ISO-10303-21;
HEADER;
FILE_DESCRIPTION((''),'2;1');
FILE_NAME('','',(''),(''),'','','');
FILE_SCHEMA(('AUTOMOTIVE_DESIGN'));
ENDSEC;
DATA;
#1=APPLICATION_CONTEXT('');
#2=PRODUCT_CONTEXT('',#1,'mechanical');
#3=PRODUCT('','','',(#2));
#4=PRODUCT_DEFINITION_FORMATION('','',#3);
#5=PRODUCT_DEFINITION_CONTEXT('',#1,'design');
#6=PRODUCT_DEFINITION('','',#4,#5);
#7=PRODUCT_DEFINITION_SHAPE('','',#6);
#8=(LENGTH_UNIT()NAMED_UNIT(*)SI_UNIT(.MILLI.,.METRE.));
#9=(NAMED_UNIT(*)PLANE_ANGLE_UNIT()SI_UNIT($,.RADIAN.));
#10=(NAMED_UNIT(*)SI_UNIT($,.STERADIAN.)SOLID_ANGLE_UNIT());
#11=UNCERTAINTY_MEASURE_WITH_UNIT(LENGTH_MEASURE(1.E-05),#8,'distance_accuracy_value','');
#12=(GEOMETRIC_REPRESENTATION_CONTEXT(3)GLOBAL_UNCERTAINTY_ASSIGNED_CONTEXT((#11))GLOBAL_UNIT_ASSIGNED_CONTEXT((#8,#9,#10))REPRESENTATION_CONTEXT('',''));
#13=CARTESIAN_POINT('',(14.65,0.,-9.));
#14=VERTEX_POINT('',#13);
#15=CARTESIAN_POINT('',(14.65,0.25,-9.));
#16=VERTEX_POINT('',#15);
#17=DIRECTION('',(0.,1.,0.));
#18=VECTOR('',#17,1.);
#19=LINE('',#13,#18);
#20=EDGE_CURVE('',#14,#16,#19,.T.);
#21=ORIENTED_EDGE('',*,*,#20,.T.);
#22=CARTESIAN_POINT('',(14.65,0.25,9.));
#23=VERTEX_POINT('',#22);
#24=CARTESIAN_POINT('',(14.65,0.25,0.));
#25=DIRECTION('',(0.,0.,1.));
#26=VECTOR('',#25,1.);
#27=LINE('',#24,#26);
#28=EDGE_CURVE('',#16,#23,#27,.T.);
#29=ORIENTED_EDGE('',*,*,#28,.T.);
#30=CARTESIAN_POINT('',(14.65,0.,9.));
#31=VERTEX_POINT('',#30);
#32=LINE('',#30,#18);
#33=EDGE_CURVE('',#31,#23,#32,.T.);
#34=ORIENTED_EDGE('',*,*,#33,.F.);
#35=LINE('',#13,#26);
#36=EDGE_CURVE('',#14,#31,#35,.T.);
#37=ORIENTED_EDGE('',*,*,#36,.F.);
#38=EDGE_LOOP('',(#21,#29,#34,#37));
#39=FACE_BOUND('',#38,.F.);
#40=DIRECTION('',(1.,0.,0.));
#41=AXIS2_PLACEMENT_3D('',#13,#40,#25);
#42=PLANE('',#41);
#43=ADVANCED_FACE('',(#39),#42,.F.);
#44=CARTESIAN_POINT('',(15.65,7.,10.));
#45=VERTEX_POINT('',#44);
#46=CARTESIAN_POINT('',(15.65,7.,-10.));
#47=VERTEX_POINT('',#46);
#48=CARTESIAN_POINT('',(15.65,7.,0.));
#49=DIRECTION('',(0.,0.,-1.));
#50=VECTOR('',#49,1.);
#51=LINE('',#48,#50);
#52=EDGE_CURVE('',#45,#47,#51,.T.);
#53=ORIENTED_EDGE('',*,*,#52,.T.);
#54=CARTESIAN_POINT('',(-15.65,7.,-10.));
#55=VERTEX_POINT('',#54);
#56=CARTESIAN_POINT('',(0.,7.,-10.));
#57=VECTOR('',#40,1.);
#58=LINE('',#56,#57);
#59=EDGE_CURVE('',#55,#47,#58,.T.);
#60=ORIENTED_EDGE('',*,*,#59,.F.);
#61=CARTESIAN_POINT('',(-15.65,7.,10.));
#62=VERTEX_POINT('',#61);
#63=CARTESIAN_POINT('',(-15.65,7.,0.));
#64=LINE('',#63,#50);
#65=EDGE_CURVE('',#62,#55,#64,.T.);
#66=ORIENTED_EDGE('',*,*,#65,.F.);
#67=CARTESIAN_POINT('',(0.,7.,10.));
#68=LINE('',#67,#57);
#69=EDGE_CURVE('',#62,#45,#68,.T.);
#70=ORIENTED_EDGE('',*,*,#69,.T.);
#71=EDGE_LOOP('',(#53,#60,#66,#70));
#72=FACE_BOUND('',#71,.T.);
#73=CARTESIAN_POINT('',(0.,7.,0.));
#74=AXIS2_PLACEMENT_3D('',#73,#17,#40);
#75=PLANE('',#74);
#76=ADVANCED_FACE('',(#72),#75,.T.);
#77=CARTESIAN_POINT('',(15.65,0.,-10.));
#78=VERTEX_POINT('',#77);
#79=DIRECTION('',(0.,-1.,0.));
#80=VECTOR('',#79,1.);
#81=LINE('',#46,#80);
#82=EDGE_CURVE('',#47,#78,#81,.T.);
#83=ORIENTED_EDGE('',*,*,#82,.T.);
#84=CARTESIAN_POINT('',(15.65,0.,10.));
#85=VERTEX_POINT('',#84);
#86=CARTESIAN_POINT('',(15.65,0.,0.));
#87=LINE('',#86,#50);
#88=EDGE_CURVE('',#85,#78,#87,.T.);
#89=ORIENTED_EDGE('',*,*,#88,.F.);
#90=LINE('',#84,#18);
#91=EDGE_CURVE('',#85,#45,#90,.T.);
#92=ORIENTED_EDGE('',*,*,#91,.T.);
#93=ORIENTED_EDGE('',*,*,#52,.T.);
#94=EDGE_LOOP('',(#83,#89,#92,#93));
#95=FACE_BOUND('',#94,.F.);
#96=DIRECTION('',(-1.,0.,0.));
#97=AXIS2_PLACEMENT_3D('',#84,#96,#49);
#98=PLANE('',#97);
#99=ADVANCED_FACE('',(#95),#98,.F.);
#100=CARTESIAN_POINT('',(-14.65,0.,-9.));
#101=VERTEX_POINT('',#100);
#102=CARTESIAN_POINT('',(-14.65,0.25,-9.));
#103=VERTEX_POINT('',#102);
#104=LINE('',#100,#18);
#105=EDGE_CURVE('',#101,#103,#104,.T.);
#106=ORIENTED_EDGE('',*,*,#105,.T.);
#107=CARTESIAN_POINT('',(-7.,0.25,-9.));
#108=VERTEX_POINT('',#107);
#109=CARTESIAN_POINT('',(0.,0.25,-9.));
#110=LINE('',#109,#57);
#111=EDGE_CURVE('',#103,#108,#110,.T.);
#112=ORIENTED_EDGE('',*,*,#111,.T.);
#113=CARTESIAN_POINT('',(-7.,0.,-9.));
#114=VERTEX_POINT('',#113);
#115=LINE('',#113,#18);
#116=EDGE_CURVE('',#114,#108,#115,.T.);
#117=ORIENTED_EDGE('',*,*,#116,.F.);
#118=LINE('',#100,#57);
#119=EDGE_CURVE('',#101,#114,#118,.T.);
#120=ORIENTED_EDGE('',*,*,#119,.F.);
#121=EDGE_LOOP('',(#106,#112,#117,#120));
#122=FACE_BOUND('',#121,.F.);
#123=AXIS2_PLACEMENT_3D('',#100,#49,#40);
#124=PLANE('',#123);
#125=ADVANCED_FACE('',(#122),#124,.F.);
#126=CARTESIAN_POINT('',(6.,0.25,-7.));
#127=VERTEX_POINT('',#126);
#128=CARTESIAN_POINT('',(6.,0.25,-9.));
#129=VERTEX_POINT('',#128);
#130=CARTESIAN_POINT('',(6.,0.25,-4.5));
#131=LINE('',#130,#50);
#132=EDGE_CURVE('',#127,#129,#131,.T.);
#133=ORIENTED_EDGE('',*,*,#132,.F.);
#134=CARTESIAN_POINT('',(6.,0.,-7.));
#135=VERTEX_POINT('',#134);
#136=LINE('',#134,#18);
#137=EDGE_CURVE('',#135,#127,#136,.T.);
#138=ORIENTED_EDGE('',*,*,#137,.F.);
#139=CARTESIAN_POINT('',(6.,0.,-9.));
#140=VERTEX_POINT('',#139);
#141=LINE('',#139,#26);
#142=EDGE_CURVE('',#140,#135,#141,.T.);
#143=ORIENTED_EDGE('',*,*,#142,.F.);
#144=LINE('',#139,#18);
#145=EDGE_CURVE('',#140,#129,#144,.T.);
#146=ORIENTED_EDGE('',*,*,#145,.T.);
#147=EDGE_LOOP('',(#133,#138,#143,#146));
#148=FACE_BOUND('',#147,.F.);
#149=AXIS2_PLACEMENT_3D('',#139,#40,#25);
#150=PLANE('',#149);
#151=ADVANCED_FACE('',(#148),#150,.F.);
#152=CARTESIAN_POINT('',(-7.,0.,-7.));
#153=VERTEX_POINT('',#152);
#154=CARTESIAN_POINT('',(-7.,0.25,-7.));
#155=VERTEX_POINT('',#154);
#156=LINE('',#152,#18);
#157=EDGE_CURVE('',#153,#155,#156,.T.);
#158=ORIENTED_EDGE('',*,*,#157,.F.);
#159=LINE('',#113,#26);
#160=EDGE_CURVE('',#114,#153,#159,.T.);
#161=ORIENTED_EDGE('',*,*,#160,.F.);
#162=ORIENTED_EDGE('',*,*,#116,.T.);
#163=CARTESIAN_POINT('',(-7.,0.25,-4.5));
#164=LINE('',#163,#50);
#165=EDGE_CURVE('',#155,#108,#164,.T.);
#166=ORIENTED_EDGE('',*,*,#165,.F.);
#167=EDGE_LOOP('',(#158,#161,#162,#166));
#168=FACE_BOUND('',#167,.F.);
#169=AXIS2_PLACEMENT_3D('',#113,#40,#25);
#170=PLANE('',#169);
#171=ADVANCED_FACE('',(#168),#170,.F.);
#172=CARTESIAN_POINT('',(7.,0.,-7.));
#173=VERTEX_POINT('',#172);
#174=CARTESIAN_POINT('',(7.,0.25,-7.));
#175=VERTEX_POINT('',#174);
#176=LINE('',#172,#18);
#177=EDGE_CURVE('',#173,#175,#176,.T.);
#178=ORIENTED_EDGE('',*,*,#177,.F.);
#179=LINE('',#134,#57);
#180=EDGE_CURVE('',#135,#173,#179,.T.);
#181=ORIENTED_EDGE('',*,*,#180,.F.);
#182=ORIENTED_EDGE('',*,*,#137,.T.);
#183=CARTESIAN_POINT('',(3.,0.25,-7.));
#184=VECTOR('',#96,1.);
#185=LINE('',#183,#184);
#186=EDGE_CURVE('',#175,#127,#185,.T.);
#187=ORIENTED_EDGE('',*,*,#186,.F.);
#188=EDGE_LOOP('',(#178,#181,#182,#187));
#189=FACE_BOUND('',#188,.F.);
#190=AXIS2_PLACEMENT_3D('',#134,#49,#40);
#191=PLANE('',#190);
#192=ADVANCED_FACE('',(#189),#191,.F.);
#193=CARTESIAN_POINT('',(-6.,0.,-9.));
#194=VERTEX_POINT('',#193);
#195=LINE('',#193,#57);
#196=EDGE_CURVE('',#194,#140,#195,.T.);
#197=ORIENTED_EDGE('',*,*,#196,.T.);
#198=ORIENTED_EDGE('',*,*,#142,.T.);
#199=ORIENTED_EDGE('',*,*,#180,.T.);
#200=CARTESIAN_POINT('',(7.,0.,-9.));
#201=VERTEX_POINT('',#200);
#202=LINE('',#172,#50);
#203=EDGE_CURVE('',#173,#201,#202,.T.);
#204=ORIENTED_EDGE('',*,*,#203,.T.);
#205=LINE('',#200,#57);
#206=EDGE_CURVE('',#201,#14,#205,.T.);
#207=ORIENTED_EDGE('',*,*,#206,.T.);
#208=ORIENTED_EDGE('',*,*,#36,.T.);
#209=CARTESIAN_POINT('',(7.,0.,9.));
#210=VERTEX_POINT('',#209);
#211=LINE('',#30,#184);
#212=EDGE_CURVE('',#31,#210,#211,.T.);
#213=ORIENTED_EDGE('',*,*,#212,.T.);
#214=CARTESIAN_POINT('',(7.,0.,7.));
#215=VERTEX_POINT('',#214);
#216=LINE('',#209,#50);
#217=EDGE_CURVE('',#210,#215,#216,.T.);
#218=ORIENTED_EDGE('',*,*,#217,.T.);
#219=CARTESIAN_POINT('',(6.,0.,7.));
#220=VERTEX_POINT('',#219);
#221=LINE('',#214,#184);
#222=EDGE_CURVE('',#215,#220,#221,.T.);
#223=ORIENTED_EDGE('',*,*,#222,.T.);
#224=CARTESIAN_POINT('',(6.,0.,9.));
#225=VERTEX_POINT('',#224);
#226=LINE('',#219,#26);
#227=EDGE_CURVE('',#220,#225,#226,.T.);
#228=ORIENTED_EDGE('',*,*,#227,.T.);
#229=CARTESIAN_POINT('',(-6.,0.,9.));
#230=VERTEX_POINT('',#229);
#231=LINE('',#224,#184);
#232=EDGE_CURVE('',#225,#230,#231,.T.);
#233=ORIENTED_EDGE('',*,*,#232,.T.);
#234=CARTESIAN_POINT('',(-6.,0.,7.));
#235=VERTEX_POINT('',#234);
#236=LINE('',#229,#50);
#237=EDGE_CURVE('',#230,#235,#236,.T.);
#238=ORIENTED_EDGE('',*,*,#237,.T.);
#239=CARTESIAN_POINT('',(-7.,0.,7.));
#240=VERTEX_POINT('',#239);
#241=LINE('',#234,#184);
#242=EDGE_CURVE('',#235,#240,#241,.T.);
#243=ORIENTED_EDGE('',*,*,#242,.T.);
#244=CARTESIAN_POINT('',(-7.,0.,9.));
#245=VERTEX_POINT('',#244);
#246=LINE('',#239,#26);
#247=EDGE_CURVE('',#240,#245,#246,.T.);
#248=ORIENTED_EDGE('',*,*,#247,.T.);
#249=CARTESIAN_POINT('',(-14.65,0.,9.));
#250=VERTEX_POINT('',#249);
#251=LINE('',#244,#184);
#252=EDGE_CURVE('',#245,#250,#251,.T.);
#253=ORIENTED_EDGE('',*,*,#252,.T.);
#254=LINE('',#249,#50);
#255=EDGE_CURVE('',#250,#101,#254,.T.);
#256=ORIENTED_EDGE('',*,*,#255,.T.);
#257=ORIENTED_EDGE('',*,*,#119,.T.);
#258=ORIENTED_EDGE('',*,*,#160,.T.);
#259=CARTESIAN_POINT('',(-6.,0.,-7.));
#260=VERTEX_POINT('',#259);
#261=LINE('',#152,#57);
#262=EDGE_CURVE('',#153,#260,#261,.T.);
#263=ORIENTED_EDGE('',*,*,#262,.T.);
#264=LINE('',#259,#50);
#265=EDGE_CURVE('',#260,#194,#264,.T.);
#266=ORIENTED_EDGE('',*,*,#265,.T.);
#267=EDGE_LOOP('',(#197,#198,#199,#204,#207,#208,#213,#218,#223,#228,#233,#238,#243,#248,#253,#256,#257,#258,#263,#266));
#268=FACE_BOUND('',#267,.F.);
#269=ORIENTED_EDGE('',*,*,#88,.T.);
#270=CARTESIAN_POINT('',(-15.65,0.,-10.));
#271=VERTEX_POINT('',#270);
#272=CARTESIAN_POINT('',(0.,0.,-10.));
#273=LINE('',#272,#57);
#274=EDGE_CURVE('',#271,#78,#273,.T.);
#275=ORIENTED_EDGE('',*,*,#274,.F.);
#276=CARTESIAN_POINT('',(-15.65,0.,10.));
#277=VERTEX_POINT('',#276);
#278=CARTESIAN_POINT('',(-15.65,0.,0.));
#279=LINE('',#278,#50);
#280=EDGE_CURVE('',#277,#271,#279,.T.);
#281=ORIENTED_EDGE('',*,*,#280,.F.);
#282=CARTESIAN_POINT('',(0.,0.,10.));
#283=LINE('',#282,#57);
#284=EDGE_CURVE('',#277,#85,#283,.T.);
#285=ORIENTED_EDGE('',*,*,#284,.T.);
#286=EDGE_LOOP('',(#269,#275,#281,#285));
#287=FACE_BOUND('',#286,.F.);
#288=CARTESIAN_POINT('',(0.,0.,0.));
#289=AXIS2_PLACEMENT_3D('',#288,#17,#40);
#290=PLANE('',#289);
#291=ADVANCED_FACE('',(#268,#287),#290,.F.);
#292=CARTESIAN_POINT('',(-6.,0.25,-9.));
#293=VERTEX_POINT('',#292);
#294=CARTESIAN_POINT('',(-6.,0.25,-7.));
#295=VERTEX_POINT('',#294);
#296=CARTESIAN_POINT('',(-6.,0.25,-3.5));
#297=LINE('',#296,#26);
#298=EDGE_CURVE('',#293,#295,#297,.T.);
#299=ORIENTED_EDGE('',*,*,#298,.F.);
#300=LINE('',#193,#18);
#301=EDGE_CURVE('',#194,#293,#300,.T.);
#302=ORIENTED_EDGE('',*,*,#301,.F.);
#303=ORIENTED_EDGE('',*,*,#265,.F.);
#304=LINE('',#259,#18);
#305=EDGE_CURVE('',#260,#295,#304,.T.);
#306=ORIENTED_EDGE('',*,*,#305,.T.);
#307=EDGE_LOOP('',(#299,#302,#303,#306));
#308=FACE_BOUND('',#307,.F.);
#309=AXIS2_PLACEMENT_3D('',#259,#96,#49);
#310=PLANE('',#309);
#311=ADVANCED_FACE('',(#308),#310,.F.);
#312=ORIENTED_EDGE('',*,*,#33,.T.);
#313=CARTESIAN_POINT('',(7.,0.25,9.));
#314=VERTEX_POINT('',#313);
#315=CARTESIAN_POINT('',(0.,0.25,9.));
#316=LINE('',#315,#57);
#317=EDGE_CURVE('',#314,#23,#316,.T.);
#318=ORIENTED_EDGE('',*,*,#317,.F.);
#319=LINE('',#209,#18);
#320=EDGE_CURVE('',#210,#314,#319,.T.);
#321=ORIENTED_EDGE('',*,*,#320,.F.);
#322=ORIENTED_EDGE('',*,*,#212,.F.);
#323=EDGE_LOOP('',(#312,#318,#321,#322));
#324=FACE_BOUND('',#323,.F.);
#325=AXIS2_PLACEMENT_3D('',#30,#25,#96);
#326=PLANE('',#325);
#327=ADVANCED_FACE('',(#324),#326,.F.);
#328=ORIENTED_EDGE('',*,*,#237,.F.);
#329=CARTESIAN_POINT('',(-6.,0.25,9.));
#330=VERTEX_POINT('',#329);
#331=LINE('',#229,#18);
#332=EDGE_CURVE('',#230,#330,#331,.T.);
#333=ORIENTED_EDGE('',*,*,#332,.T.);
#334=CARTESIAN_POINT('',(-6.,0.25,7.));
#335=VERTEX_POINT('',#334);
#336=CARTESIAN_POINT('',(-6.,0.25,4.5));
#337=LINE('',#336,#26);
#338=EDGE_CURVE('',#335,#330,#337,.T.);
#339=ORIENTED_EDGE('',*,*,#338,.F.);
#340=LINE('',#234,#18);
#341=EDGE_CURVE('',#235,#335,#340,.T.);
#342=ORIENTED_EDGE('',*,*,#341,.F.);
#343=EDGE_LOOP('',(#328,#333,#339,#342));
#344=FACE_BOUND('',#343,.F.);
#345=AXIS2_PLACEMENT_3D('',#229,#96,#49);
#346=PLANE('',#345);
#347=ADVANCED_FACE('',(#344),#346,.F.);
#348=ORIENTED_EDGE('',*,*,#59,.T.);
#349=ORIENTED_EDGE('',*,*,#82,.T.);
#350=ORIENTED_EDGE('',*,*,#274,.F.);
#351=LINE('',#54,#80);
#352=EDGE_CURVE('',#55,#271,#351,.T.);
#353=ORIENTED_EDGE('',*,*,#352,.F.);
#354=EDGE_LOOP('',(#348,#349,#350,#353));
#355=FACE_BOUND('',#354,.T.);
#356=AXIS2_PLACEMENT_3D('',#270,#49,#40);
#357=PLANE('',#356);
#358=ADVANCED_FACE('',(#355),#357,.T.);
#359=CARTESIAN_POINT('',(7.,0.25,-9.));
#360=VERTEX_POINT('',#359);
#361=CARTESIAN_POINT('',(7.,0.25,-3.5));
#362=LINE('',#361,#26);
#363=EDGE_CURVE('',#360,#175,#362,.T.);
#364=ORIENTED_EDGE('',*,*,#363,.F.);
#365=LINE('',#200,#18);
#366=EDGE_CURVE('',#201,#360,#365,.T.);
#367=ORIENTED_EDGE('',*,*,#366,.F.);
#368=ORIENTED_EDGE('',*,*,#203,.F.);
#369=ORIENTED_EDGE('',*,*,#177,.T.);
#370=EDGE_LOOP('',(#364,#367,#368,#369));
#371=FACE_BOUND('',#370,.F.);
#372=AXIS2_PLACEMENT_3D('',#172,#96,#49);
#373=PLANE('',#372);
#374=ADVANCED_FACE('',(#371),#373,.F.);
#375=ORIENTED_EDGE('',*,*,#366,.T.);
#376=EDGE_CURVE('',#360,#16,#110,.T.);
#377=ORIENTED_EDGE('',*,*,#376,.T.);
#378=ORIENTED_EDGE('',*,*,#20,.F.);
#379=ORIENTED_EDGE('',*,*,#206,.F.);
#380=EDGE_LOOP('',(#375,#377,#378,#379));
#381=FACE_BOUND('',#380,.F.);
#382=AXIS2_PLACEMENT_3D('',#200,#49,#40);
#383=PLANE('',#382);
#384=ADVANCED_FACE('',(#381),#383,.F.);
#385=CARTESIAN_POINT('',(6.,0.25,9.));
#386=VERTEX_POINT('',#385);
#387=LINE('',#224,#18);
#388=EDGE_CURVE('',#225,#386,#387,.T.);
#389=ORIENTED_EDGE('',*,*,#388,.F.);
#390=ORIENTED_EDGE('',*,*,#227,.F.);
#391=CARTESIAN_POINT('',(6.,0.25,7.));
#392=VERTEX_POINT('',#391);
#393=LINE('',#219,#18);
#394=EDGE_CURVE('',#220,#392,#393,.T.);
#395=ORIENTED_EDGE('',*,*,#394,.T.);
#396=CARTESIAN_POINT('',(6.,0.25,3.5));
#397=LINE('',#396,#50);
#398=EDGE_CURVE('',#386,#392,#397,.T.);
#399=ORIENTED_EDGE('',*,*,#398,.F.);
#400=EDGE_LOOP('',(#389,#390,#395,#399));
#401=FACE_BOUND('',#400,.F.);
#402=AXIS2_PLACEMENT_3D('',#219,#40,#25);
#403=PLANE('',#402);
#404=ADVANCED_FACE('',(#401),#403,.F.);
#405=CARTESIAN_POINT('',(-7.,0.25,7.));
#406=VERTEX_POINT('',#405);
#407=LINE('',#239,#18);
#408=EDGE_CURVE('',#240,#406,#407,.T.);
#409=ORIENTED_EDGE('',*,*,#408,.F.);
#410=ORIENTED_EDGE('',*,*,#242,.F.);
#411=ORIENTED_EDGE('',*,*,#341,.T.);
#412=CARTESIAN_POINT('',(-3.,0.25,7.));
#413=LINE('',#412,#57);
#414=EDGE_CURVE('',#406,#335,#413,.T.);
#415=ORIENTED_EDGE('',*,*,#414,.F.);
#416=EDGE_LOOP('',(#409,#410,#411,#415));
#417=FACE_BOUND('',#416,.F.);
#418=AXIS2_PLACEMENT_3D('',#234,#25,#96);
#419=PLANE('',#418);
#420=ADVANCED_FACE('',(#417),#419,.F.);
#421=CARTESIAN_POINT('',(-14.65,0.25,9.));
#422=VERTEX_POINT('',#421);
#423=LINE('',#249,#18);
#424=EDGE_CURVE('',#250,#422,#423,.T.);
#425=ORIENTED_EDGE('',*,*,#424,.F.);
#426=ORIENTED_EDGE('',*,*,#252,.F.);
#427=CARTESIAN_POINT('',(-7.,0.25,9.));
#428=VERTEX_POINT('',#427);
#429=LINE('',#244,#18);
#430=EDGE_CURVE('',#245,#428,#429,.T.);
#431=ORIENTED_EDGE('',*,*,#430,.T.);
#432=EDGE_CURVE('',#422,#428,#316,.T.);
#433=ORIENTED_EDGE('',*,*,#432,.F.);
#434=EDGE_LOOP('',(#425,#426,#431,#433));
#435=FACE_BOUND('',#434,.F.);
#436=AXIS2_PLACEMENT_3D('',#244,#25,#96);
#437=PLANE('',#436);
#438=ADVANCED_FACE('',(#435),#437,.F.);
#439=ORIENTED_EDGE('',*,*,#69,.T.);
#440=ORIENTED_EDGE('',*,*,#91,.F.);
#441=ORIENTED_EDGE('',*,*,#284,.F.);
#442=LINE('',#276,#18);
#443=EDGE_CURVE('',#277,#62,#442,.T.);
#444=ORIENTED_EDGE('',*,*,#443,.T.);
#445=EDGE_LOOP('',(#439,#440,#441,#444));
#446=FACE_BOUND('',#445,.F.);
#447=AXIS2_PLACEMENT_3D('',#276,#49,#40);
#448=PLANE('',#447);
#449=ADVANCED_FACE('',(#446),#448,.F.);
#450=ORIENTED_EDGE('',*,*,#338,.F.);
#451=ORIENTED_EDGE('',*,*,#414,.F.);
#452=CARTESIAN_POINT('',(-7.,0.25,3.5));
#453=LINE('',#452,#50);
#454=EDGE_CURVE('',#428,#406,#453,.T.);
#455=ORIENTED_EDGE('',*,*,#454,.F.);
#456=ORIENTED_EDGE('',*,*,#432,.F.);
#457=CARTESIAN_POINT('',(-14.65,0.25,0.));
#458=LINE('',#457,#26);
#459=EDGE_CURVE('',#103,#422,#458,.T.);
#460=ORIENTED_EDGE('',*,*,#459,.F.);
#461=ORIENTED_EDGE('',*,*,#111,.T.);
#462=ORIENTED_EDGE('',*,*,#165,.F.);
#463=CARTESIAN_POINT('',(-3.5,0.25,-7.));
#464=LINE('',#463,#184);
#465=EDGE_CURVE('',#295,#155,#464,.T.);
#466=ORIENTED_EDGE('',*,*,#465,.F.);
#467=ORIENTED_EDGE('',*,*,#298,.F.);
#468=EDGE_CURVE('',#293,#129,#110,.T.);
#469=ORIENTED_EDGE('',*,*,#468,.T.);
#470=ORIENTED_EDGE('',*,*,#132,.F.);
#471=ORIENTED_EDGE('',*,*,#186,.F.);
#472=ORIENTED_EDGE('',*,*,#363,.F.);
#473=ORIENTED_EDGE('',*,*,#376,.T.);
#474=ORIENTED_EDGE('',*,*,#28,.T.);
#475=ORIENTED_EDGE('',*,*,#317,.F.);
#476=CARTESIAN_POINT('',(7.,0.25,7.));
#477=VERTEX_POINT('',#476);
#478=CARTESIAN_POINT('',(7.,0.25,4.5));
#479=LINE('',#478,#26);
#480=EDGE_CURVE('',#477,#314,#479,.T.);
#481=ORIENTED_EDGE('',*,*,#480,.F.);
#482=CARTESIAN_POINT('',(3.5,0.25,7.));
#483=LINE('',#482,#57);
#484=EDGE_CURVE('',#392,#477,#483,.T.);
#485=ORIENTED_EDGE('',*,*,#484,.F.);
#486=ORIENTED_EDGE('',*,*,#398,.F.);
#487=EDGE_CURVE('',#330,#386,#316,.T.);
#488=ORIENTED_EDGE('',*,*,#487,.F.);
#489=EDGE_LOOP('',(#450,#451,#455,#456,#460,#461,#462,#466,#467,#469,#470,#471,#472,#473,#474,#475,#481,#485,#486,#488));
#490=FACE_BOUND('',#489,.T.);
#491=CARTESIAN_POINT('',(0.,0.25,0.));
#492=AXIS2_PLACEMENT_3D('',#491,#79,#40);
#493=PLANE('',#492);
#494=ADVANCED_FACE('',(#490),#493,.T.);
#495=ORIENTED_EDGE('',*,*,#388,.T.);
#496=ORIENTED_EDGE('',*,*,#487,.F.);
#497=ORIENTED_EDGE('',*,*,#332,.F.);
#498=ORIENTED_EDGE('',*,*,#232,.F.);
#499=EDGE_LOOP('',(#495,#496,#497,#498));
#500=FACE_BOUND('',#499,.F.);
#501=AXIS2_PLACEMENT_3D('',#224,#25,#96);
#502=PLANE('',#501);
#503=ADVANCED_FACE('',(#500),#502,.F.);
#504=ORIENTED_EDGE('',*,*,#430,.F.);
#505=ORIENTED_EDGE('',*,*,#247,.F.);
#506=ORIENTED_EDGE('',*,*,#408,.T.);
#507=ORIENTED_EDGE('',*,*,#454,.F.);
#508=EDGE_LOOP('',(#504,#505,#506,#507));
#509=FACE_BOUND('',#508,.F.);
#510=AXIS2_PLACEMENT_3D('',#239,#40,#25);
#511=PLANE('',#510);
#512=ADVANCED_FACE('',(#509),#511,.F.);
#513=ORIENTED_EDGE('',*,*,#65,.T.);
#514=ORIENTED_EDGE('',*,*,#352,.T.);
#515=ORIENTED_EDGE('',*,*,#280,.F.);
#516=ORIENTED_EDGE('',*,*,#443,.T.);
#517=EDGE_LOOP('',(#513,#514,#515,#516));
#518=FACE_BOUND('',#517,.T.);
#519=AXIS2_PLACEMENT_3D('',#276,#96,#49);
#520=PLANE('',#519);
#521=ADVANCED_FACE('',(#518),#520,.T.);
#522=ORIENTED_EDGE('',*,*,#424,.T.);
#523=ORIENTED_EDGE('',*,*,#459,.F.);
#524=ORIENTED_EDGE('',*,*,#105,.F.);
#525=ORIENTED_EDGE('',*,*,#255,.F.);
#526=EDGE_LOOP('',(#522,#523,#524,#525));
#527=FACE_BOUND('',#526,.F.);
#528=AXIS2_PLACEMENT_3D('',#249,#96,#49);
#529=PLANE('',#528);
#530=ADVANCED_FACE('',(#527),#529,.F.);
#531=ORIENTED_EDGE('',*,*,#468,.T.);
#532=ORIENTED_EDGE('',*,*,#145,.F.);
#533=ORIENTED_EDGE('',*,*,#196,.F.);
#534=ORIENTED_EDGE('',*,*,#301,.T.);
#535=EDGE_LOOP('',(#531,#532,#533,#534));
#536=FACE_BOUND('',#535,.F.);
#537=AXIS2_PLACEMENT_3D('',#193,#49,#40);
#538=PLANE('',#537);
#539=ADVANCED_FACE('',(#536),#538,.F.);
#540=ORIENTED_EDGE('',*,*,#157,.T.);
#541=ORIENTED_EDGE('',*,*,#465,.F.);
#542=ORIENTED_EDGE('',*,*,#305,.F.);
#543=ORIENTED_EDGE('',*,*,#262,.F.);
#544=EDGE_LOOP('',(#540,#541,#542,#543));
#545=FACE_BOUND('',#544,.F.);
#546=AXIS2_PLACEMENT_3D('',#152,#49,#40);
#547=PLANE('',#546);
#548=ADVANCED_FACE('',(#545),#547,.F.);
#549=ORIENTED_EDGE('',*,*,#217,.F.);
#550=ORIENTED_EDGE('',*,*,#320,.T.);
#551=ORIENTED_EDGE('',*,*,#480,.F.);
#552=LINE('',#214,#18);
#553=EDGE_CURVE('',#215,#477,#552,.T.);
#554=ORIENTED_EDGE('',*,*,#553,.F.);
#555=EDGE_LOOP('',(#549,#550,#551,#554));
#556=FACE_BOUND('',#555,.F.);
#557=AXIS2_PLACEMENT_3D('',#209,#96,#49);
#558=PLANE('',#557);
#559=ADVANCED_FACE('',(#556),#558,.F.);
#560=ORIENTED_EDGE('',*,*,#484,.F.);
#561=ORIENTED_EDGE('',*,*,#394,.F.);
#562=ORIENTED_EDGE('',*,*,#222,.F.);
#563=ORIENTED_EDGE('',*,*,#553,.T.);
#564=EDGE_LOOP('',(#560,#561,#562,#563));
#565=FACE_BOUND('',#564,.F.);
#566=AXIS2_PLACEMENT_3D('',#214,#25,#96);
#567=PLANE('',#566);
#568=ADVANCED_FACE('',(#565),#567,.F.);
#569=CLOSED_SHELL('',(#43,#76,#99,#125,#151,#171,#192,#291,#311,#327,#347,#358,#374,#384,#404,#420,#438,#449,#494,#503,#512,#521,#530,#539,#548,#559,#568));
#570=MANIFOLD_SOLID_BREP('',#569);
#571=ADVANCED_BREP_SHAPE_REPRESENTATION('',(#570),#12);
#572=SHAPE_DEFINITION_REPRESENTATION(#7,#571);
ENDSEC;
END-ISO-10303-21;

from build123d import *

# Parameters (mm, degrees)
SKETCH1_W           = 31.3
SKETCH1_H           = 20
BOSS_EXTRUDE1_DEPTH = 7
SKETCH2_W           = 31.3
SKETCH2_H           = 20
BOSS_EXTRUDE2_DEPTH = 1
BOSS_EXTRUDE4_START = -0.25
SKETCH3_W           = 29.3
SKETCH3_H           = 18
BOSS_EXTRUDE4_DEPTH = 5.75


with BuildPart() as part:
    # Sketch1 → Boss-Extrude1 (new body)
    with BuildSketch(Plane(origin=(0, 0, 0), x_dir=(1, 0, 0), z_dir=(0, 1, 0))):
        Rectangle(SKETCH1_W, SKETCH1_H)
        Polygon((-14.65, -9), (-14.65, 9), (-7, 9), (-7, 7), (-6, 7), (-6, 9), (6, 9), (6, 7), (7, 7), (7, 9), (14.65, 9), (14.65, -9), (7, -9), (7, -7), (6, -7), (6, -9), (-6, -9), (-6, -7), (-7, -7), (-7, -9), align=None, mode=Mode.SUBTRACT)
    extrude(amount=BOSS_EXTRUDE1_DEPTH)

    # Sketch2 → Boss-Extrude2 (add)
    with BuildSketch(Plane(origin=(0, 7, 0), x_dir=(1, 0, 0), z_dir=(0, 1, 0))):
        Rectangle(SKETCH2_W, SKETCH2_H)
    extrude(amount=-BOSS_EXTRUDE2_DEPTH)

    # Sketch3 → Boss-Extrude4 (add)
    with BuildSketch(Plane.XZ.offset(BOSS_EXTRUDE4_START)):
        Rectangle(SKETCH3_W, SKETCH3_H)
    extrude(amount=-BOSS_EXTRUDE4_DEPTH)


solid = part.part
